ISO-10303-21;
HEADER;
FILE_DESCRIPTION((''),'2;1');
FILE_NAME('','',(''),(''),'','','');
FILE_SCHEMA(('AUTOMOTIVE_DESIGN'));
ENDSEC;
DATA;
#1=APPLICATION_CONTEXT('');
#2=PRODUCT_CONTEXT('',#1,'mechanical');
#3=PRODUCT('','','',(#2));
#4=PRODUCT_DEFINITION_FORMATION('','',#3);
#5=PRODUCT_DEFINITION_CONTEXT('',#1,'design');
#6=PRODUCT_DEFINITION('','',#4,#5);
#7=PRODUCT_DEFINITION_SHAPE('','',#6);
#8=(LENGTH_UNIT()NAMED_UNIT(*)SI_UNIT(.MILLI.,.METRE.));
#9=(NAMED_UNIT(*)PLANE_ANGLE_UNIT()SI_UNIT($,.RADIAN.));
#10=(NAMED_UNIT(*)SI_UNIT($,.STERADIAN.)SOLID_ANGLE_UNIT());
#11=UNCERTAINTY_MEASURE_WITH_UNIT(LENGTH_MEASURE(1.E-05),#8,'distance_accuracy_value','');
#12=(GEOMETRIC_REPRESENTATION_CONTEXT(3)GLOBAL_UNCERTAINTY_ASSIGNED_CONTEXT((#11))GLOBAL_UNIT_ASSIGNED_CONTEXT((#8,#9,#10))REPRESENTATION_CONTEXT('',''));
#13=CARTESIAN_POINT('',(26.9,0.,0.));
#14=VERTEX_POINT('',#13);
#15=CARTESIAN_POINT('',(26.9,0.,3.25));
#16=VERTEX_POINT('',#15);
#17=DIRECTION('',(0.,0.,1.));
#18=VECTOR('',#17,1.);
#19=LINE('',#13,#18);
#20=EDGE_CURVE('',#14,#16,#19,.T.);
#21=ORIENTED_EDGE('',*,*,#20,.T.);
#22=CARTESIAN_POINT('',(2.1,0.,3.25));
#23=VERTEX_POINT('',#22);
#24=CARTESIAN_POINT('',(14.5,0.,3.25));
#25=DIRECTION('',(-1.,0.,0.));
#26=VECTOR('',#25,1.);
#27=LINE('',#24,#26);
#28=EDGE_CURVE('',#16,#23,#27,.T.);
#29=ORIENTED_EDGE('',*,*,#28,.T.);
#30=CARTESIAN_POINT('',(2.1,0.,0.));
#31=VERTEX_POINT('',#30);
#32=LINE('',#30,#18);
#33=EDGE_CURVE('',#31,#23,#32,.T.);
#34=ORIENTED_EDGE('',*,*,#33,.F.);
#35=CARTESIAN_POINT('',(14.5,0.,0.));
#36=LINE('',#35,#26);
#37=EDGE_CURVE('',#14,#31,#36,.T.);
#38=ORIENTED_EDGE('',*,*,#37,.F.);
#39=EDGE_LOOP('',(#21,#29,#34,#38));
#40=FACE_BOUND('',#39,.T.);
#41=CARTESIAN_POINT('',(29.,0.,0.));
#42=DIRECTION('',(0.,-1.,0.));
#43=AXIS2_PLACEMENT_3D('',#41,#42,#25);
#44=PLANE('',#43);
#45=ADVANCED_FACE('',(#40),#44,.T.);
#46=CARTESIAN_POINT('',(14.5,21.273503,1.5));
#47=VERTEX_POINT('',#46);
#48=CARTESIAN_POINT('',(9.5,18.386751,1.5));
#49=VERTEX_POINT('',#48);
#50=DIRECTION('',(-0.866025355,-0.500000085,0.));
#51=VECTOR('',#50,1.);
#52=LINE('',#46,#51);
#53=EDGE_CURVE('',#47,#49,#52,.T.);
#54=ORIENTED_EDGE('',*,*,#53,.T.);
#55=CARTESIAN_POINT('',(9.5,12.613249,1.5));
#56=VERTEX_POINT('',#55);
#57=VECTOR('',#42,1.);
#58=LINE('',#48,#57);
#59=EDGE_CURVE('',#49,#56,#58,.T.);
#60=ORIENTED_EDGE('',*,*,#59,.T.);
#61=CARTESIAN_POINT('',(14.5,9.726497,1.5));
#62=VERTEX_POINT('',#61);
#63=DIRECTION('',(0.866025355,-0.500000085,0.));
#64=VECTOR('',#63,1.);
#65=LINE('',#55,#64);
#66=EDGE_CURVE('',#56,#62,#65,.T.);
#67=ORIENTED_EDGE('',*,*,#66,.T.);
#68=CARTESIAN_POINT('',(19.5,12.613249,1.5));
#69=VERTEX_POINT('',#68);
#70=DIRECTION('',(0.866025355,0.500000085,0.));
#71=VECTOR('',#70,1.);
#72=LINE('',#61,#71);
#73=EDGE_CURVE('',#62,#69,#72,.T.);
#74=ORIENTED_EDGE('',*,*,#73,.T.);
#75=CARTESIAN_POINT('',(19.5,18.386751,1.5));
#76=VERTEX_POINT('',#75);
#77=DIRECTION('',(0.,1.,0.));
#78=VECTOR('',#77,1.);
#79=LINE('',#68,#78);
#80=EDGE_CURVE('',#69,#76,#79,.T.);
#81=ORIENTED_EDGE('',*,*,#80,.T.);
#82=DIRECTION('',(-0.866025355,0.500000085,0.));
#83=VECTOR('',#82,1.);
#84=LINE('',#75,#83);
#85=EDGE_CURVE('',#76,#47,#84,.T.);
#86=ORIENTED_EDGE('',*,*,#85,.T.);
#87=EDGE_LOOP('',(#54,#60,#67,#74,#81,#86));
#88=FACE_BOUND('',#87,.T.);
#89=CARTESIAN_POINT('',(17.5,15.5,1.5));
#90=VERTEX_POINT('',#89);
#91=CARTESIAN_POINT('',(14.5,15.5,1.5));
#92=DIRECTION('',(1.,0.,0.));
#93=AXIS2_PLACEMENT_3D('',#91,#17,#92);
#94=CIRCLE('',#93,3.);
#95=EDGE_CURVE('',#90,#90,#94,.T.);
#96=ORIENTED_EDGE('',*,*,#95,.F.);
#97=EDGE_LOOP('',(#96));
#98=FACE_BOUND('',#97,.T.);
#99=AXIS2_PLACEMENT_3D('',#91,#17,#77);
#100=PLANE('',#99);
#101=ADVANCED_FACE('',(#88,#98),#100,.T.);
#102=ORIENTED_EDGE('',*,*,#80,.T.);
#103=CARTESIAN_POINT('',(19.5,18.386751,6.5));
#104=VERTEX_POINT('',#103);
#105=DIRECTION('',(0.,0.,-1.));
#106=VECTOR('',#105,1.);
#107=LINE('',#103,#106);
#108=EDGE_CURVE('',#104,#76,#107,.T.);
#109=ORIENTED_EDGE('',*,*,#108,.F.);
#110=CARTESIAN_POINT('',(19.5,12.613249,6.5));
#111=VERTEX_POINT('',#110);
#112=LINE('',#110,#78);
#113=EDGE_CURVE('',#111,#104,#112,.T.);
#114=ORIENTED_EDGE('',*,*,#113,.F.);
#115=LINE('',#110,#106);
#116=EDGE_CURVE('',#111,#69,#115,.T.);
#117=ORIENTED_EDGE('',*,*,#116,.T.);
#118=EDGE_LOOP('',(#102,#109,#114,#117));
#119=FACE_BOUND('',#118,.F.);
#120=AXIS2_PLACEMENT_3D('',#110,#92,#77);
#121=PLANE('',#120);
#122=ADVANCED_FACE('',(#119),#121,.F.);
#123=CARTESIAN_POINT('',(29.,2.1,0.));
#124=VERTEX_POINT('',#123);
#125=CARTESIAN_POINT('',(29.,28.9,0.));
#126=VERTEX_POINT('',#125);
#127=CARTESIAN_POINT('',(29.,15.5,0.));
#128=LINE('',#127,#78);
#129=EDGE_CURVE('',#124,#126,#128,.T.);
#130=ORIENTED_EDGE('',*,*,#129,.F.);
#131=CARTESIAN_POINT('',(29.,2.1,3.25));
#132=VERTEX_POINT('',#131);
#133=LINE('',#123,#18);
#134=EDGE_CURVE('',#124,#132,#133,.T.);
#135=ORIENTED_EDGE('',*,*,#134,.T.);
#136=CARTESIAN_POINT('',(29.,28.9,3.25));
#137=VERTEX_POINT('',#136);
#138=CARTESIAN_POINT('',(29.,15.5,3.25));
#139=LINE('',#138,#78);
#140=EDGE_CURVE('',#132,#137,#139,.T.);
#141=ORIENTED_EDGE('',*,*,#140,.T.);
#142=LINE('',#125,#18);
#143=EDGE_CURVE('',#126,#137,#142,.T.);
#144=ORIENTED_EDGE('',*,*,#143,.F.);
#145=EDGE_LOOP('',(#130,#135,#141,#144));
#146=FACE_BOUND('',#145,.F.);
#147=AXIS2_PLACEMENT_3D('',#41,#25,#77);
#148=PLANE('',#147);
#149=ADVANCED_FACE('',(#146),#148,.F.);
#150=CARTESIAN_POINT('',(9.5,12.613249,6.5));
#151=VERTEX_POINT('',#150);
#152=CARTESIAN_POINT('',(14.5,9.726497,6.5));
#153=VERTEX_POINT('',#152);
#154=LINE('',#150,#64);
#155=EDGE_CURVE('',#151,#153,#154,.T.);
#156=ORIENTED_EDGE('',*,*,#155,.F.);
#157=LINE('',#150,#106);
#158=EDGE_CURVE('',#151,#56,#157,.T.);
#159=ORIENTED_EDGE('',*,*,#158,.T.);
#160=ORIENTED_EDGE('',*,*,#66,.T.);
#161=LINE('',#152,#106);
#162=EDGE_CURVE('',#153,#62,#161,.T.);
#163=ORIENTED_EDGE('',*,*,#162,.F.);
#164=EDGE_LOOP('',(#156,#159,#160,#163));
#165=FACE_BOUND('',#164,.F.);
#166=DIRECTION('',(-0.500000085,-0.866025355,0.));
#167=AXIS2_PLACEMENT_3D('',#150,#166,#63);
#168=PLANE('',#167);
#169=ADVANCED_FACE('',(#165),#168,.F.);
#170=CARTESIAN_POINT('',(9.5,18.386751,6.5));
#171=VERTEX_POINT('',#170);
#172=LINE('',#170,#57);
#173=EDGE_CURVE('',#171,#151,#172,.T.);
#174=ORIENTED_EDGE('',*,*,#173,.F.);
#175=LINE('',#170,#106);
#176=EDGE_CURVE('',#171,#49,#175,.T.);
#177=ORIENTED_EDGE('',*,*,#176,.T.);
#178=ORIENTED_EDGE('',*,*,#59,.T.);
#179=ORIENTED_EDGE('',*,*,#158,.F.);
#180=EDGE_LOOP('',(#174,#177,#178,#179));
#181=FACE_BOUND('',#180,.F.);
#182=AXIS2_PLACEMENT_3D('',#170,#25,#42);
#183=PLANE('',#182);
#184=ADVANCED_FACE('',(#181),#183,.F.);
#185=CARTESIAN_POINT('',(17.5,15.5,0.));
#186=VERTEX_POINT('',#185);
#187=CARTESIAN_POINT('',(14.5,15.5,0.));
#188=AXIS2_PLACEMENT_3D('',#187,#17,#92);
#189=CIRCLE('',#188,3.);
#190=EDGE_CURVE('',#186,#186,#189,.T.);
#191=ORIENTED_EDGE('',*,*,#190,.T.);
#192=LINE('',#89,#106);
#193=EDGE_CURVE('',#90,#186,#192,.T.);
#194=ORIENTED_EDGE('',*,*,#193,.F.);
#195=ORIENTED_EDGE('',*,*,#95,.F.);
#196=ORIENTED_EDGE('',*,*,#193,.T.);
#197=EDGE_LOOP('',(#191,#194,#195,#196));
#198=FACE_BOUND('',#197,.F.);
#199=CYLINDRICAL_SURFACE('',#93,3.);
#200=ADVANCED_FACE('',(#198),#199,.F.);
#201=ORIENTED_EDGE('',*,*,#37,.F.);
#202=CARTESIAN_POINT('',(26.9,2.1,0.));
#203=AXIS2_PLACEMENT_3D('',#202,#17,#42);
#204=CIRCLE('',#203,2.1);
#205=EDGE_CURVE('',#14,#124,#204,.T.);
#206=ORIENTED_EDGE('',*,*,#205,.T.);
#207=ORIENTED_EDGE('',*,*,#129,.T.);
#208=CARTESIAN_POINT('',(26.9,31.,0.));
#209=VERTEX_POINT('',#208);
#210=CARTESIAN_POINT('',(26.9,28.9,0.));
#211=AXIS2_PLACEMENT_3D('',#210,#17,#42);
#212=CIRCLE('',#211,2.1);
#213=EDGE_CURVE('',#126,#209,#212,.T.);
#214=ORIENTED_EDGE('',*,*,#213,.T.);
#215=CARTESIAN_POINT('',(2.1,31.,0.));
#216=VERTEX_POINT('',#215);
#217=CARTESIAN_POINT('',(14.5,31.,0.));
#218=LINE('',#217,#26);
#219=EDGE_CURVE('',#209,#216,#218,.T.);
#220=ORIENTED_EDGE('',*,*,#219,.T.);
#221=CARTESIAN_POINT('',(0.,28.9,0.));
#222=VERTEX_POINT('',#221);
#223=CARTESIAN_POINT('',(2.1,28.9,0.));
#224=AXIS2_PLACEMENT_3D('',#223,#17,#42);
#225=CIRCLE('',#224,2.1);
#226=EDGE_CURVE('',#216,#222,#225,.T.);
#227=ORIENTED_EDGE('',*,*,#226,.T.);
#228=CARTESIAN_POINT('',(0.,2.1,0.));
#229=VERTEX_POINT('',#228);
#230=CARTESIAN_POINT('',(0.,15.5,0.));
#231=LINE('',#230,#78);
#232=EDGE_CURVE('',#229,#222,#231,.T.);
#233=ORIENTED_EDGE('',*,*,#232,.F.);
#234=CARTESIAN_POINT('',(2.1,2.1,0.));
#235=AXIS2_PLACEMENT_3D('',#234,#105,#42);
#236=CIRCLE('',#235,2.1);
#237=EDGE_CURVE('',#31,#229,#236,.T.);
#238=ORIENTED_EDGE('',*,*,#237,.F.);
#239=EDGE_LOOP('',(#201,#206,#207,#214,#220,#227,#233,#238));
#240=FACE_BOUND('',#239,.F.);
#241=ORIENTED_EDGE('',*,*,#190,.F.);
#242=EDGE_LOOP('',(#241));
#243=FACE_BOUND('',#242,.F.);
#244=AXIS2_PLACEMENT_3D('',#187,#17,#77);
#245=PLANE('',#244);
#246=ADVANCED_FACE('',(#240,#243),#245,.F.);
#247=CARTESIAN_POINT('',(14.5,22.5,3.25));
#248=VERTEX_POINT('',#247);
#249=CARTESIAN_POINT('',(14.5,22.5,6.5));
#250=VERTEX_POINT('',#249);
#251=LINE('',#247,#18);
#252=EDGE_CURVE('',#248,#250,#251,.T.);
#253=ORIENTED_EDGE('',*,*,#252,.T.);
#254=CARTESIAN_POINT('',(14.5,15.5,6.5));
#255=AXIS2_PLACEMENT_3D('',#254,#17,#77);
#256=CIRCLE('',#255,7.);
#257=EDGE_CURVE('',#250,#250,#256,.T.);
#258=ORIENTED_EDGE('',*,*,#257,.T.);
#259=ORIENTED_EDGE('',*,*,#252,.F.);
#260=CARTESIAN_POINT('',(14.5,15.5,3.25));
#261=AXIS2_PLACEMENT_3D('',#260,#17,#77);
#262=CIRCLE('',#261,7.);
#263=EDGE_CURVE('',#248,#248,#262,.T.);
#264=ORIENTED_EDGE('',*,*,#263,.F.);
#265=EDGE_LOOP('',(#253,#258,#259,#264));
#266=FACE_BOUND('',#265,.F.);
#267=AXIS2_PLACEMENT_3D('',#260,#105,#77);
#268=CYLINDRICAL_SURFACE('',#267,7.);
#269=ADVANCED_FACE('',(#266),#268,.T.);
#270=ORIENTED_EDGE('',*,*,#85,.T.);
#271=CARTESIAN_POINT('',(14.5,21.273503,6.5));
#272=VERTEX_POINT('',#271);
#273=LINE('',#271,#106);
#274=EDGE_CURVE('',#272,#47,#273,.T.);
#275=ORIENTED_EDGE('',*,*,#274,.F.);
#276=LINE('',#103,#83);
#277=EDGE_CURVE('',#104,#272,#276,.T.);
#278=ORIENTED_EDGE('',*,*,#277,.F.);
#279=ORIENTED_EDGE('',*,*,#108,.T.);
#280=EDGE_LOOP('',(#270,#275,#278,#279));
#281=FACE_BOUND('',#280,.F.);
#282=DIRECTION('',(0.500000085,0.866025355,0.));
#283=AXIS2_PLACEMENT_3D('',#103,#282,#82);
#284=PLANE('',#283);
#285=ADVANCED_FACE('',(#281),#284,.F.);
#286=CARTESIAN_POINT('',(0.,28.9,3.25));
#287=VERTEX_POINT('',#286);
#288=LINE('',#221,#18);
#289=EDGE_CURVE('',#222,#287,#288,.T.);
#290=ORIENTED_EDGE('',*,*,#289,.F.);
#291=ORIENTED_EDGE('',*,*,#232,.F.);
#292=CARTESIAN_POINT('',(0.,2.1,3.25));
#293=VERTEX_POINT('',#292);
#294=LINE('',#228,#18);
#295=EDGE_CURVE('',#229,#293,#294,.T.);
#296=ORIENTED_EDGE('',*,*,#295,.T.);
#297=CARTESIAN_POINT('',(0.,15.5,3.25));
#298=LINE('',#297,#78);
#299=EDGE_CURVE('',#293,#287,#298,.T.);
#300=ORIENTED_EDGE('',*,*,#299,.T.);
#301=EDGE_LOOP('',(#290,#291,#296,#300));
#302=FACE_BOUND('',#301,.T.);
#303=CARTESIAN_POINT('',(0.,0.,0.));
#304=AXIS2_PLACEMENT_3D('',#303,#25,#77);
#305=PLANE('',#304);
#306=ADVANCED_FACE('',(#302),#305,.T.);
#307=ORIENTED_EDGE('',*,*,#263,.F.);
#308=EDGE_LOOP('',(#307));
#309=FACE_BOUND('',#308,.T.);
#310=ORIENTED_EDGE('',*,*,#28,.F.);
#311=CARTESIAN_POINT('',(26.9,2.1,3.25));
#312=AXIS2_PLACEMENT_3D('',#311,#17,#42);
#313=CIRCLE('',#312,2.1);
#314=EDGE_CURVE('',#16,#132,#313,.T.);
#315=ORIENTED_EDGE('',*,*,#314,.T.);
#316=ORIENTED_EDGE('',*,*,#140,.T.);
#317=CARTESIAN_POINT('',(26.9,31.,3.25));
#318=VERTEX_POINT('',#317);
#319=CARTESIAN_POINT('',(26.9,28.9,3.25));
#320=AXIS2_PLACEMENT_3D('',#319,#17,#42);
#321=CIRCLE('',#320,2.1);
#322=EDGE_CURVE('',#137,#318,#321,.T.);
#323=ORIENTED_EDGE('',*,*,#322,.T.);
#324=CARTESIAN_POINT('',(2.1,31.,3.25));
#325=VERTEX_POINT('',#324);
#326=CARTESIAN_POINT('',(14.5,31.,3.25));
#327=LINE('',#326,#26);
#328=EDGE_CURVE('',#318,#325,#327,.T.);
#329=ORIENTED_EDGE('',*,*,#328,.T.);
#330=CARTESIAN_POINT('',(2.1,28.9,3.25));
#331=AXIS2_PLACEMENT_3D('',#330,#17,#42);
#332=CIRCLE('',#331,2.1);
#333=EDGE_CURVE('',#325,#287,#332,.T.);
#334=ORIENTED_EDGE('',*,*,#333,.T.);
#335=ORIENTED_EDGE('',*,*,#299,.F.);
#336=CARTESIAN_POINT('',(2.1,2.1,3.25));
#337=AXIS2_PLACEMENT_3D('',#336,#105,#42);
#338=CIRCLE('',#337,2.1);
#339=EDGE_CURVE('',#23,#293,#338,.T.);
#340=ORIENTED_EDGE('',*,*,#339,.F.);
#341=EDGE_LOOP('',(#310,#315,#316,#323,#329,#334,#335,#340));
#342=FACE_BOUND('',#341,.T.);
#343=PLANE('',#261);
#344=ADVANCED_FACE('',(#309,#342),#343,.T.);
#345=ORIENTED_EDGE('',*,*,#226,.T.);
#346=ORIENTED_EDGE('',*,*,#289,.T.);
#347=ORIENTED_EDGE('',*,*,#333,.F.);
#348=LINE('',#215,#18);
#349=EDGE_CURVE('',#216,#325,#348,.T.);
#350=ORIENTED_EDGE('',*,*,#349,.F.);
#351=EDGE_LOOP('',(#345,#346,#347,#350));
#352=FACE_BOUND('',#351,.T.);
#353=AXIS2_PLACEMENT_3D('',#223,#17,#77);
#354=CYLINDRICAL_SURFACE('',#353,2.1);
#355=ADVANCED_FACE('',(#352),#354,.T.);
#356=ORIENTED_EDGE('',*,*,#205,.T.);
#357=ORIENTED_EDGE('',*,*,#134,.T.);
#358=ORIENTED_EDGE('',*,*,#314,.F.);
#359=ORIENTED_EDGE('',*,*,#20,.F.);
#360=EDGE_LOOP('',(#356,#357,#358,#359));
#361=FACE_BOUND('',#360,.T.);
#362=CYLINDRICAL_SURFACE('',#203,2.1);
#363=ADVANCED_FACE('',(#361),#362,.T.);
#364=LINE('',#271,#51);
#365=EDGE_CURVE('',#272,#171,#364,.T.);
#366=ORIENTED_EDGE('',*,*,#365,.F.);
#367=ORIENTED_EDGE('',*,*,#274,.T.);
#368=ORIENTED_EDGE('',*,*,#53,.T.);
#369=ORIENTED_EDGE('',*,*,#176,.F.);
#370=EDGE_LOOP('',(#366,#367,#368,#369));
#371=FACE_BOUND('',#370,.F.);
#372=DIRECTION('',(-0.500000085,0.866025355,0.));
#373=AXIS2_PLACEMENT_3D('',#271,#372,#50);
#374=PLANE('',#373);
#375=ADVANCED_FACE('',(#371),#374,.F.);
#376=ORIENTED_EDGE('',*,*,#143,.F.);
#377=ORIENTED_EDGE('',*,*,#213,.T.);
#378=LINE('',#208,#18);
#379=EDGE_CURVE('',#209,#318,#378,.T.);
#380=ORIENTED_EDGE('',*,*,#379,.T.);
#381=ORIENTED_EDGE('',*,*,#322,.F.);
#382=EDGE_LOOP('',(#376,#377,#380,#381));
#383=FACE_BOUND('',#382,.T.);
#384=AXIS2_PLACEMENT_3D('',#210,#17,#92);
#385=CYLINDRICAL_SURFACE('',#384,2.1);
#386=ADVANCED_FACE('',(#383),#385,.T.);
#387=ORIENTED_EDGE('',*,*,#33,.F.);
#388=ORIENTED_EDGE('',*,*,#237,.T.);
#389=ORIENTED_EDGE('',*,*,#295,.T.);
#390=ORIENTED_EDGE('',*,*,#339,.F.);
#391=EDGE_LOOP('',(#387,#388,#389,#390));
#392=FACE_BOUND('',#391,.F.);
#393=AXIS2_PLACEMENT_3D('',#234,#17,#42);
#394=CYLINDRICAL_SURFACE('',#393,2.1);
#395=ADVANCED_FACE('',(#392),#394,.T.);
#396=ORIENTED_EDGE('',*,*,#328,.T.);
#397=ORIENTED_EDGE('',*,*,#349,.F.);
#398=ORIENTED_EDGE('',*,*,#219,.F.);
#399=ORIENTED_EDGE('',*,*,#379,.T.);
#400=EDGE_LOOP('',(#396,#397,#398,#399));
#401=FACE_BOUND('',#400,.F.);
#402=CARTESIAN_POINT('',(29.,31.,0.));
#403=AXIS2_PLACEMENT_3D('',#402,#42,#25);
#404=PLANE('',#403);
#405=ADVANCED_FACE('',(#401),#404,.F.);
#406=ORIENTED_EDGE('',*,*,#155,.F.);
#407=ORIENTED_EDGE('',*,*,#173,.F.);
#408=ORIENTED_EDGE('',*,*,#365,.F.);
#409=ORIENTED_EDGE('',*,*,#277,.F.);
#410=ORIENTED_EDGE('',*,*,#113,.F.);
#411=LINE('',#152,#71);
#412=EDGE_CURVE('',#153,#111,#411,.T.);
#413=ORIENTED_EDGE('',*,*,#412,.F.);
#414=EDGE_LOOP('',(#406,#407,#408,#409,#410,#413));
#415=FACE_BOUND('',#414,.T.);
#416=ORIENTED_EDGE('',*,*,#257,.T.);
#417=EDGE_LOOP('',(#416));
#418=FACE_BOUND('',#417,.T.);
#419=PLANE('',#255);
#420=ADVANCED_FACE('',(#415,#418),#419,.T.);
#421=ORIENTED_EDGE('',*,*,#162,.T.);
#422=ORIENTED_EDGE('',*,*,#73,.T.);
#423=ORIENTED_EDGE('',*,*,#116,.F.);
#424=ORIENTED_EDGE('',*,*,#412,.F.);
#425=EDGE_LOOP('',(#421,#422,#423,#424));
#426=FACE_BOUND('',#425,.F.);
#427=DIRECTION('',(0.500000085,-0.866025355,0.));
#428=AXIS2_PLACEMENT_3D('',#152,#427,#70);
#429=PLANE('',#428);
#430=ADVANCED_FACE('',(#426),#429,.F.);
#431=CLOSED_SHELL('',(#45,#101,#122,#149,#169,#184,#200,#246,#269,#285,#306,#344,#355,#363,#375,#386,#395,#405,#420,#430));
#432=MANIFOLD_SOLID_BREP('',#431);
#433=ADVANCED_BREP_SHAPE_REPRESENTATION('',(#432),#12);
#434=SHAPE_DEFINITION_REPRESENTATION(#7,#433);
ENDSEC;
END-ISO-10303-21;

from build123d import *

# Parameters (mm, degrees)
SKETCH003_R      = 3
EXTRUDE003_DEPTH = 10
EXTRUDE002_DEPTH = 5
FACE001_R        = 7
EXTRUDE001_DEPTH = 3.25
FACE_W           = 31
FACE_H           = 29
EXTRUDE_DEPTH    = 3.25
FILLET_R         = 2.1


with BuildPart() as extrude003:
    # Sketch003 (on Face19 of Cut) → Extrude003 (new body)
    with BuildSketch(Plane.XY.offset(1.5)):
        with Locations((14.5, 15.5)):
            Circle(SKETCH003_R)
    extrude(amount=-EXTRUDE003_DEPTH)


with BuildPart() as extrude002:
    # Face002 → Extrude002 (new body)
    with BuildSketch(Plane(origin=(14.5, 15.5, 6.5), x_dir=(0, 1, 0), z_dir=(0, 0, 1))):
        Polygon((-2.886751, -5), (2.886751, -5), (5.773503, 0), (2.886751, 5), (-2.886751, 5), (-5.773503, 0), align=None)
    extrude(amount=-EXTRUDE002_DEPTH)


with BuildPart() as extrude001:
    # Face001 → Extrude001 (new body)
    with BuildSketch(Plane(origin=(14.5, 15.5, 3.25), x_dir=(0, 1, 0), z_dir=(0, 0, 1))):
        Circle(FACE001_R)
    extrude(amount=EXTRUDE001_DEPTH)


with BuildPart() as cut001:
    # Face → Extrude (new body)
    with BuildSketch(Plane(origin=(14.5, 15.5, 0), x_dir=(0, 1, 0), z_dir=(0, 0, 1))):
        Rectangle(FACE_W, FACE_H)
    extrude(amount=EXTRUDE_DEPTH)

    # Fillet
    fillet_edges = [cut001.edges().sort_by_distance(p)[0] for p in [
        (0, 0, 1.625),
        (29, 0, 1.625),
        (29, 31, 1.625),
        (0, 31, 1.625),
    ]]
    fillet(fillet_edges, radius=FILLET_R)

    # Fusion: union Extrude001
    add(extrude001.part)

    # Cut: cut Extrude002
    add(extrude002.part, mode=Mode.SUBTRACT)

    # Cut001: cut Extrude003
    add(extrude003.part, mode=Mode.SUBTRACT)


solid = cut001.part
